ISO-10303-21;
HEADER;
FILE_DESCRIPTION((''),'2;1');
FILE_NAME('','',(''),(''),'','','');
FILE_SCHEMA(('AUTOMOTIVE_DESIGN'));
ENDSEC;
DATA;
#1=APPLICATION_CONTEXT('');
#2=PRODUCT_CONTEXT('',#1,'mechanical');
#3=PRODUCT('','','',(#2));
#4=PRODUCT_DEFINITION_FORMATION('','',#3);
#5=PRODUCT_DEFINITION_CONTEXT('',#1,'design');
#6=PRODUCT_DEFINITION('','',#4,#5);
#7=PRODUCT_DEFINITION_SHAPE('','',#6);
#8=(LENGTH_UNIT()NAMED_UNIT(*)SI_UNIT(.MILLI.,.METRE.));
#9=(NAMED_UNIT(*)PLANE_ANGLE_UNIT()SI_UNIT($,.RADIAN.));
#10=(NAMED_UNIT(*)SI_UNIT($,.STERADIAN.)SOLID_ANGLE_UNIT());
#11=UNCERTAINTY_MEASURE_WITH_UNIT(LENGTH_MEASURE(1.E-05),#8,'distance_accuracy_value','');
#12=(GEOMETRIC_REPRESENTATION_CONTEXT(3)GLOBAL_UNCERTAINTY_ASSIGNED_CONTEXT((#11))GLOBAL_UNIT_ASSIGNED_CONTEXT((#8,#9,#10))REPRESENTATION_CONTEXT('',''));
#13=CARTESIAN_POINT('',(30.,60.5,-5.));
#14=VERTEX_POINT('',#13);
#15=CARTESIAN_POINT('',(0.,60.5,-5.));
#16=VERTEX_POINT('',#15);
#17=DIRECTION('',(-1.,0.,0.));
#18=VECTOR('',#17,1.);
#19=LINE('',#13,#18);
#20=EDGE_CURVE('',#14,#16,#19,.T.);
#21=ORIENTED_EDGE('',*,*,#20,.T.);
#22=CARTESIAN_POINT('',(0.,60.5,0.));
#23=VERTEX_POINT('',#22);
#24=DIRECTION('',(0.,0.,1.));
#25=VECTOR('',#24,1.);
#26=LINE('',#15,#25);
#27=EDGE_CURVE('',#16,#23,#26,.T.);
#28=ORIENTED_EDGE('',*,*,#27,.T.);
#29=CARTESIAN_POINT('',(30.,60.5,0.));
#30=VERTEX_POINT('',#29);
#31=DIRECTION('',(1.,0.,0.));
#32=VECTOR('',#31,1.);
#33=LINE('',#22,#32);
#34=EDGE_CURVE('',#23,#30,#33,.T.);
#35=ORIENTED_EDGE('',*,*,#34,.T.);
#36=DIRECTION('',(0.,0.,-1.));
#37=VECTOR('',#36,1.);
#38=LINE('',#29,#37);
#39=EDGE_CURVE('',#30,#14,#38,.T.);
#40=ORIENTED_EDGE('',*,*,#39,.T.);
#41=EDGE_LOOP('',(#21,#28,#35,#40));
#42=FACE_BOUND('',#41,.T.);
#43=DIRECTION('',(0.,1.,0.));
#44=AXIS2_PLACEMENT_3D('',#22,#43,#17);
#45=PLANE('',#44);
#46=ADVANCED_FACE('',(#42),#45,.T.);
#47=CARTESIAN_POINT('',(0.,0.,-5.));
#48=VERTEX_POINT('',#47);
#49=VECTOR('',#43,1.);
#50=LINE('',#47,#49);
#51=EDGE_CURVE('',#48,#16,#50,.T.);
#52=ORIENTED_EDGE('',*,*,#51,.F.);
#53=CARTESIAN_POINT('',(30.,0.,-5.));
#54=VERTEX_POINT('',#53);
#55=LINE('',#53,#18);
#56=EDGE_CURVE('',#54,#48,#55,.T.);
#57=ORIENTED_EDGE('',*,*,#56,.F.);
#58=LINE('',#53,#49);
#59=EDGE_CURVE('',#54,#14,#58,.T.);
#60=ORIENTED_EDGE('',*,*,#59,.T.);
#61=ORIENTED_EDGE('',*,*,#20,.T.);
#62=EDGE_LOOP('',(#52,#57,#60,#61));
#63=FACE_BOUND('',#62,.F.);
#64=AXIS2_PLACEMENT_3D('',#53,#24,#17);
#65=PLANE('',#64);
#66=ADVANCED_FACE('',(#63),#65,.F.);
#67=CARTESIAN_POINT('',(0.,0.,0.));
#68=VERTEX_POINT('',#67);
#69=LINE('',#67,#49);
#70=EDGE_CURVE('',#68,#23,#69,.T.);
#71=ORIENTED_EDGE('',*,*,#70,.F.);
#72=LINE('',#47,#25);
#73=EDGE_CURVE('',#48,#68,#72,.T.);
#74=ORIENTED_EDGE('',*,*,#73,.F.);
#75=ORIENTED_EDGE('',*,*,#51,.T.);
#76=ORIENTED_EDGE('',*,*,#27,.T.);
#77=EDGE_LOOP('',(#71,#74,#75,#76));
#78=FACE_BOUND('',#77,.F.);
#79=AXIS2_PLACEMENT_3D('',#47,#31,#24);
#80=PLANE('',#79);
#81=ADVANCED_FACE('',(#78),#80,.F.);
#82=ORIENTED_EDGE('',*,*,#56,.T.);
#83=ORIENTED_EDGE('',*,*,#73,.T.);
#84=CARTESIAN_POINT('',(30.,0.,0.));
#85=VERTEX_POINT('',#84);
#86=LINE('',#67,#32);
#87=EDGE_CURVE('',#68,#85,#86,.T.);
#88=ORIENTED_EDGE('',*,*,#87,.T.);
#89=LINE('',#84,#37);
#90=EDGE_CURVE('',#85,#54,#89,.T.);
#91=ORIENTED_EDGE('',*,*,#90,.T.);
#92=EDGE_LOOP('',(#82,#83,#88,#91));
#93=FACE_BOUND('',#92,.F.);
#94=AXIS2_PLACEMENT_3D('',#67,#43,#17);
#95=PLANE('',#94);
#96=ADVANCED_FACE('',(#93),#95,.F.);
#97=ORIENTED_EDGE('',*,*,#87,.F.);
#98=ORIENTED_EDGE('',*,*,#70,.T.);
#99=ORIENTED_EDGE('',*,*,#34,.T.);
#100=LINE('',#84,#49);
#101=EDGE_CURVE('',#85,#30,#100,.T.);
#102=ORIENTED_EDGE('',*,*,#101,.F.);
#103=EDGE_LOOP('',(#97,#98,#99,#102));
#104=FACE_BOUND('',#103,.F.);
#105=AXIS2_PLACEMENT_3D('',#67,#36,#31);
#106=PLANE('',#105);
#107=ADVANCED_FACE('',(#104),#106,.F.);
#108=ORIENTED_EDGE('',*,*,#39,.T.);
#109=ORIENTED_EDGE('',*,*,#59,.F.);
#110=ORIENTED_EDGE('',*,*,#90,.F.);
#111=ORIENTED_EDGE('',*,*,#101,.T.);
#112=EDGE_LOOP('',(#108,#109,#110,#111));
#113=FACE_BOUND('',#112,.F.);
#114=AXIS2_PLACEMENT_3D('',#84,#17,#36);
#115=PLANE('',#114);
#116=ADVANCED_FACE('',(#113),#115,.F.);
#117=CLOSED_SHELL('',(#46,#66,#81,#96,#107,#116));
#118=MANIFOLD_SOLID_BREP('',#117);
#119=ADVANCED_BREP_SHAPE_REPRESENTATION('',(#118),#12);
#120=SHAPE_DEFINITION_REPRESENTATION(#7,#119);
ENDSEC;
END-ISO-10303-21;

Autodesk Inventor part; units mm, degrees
ref_plane "YZ Plane" through (0, 0, 0) normal (1, 0, 0) x (0, 1, 0)
ref_plane "XZ Plane" through (0, 0, 0) normal (0, 1, 0) x (-1, 0, 0)
ref_plane "XY Plane" through (0, 0, 0) normal (0, 0, 1) x (1, 0, 0)
sketch "スケッチ1" plane through (0, 0, 0) normal (0, 1, 0) x (-1, 0, 0)
  line L0 (0, 0) -> (-30, 0)
  line L1 (-30, 0) -> (-30, -5)
  line L2 (-30, -5) -> (0, -5)
  line L3 (0, -5) -> (0, 0)
  dimension "d0" = 5
  dimension "d1" = 30
extrude "押し出し1" add sketch "スケッチ1" along normal blind 60.5
properties part number "縦長3rdフラットバー"
